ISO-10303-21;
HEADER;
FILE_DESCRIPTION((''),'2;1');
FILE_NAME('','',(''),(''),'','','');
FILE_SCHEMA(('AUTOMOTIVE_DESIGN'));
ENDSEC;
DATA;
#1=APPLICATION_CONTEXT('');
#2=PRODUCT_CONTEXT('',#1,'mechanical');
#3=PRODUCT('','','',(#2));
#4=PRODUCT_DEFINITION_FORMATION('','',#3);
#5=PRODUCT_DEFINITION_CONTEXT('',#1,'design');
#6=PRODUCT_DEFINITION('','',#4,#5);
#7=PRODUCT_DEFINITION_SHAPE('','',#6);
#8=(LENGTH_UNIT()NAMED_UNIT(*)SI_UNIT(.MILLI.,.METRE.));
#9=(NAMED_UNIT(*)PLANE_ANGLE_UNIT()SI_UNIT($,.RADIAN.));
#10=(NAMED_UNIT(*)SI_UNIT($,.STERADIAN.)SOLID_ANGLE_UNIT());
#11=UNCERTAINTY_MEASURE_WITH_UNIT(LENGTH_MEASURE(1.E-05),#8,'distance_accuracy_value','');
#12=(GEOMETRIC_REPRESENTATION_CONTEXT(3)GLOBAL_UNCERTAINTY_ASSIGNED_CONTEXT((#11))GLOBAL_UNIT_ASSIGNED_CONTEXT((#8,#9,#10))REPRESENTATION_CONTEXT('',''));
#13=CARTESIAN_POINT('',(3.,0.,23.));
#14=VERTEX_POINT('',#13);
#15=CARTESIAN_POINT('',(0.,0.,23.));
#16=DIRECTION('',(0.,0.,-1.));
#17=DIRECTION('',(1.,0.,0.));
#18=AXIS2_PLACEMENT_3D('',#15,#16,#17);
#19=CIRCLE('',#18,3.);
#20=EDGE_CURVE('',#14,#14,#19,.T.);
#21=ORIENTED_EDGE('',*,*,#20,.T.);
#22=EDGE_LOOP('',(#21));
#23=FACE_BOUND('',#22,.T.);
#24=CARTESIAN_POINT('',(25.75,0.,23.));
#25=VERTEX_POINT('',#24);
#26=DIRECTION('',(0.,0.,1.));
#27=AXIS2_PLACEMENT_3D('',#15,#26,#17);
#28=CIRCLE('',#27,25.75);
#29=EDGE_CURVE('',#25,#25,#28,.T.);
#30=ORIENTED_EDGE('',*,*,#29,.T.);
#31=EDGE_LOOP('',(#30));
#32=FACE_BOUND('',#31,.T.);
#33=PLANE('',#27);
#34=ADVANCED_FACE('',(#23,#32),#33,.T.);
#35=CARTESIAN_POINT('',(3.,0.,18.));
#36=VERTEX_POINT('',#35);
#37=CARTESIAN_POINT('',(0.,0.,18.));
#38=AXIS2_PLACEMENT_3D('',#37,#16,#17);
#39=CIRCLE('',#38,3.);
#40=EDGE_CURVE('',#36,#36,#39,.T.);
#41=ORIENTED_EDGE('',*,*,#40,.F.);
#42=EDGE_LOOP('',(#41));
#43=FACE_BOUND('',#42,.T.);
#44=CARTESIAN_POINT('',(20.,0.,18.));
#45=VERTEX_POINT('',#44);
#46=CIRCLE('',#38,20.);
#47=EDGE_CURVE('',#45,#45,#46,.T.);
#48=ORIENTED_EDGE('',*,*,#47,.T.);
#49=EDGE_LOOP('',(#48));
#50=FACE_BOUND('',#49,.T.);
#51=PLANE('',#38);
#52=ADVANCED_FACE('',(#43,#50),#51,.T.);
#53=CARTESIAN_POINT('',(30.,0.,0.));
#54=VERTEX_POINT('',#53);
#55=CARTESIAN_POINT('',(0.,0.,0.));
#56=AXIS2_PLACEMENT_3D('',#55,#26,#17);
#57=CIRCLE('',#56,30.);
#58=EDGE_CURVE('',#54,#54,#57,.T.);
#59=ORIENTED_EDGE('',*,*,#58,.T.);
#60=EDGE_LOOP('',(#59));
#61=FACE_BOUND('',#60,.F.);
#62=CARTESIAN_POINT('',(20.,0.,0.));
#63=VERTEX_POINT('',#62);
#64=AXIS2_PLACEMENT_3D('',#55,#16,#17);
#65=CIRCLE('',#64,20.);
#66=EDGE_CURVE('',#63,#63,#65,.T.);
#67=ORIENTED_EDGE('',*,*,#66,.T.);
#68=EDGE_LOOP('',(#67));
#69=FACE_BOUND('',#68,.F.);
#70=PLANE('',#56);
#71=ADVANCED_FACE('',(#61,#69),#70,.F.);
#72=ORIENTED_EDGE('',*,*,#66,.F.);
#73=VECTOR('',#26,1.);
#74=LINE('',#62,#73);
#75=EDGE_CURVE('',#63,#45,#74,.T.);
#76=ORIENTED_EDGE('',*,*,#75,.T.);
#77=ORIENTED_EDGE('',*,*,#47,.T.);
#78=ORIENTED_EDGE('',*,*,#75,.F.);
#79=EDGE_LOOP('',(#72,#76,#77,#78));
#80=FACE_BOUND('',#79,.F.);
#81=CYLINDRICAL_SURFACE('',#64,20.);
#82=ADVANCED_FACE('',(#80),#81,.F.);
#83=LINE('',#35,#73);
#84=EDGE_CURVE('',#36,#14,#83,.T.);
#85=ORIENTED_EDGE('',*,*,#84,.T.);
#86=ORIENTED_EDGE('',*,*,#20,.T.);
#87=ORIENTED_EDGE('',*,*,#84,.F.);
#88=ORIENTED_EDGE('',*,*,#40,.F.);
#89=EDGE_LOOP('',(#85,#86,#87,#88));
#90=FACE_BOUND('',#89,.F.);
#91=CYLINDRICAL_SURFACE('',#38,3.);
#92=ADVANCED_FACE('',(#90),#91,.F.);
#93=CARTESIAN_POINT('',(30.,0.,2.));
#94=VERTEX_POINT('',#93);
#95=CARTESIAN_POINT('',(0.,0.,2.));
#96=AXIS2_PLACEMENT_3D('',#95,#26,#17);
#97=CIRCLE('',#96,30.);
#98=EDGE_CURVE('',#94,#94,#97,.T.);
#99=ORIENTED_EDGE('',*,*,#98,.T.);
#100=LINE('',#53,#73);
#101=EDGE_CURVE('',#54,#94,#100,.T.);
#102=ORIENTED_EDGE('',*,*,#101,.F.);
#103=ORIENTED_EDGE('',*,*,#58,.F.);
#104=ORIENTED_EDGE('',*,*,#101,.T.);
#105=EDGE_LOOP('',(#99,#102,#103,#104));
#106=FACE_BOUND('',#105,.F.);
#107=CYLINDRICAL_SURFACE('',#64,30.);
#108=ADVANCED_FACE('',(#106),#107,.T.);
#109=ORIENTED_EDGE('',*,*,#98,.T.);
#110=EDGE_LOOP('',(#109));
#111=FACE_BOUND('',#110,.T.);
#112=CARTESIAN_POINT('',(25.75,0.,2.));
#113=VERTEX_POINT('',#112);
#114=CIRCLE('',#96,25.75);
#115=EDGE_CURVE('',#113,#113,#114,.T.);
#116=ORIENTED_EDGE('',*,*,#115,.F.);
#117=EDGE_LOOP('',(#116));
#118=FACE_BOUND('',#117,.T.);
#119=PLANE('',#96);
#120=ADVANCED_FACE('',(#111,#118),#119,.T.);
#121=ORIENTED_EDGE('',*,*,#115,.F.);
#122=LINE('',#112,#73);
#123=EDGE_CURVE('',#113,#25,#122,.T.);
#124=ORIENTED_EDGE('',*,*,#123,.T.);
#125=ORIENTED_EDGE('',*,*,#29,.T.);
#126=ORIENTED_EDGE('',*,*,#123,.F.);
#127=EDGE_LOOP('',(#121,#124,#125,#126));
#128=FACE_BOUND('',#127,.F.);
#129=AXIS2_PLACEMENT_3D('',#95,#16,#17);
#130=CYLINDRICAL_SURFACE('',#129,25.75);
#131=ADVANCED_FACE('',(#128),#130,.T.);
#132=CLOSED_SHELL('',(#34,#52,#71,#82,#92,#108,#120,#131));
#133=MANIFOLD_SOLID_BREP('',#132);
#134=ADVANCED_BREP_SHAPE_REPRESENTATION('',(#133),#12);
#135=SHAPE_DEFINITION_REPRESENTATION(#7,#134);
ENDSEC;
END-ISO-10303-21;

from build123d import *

# Parameters (mm, degrees)
F0_R     = 30
F1_DEPTH = 2
F2_R     = 25.75
F3_DEPTH = 21
F4_R     = 20
F5_DEPTH = 18
F6_R     = 3
F7_DEPTH = 5.001


with BuildPart() as f1:
    # F0 (on Top) → F1 (new body)
    with BuildSketch(Plane.XY):
        Circle(F0_R)
    extrude(amount=F1_DEPTH)

    # F2 (on face) → F3 (join)
    with BuildSketch(Plane.XY.offset(2)):
        Circle(F2_R)
    extrude(amount=F3_DEPTH)

    # F4 (on face) → F5 (cut)
    with BuildSketch(Plane(origin=(0, 0, 0), x_dir=(1, 0, 0), z_dir=(0, 0, -1))):
        Circle(F4_R)
    extrude(amount=-F5_DEPTH, mode=Mode.SUBTRACT)

    # F6 (on face) → F7 (cut, through all)
    with BuildSketch(Plane(origin=(0, 0, 18), x_dir=(1, 0, 0), z_dir=(0, 0, -1))):
        Circle(F6_R)
    extrude(amount=-F7_DEPTH, mode=Mode.SUBTRACT)


solid = f1.part
